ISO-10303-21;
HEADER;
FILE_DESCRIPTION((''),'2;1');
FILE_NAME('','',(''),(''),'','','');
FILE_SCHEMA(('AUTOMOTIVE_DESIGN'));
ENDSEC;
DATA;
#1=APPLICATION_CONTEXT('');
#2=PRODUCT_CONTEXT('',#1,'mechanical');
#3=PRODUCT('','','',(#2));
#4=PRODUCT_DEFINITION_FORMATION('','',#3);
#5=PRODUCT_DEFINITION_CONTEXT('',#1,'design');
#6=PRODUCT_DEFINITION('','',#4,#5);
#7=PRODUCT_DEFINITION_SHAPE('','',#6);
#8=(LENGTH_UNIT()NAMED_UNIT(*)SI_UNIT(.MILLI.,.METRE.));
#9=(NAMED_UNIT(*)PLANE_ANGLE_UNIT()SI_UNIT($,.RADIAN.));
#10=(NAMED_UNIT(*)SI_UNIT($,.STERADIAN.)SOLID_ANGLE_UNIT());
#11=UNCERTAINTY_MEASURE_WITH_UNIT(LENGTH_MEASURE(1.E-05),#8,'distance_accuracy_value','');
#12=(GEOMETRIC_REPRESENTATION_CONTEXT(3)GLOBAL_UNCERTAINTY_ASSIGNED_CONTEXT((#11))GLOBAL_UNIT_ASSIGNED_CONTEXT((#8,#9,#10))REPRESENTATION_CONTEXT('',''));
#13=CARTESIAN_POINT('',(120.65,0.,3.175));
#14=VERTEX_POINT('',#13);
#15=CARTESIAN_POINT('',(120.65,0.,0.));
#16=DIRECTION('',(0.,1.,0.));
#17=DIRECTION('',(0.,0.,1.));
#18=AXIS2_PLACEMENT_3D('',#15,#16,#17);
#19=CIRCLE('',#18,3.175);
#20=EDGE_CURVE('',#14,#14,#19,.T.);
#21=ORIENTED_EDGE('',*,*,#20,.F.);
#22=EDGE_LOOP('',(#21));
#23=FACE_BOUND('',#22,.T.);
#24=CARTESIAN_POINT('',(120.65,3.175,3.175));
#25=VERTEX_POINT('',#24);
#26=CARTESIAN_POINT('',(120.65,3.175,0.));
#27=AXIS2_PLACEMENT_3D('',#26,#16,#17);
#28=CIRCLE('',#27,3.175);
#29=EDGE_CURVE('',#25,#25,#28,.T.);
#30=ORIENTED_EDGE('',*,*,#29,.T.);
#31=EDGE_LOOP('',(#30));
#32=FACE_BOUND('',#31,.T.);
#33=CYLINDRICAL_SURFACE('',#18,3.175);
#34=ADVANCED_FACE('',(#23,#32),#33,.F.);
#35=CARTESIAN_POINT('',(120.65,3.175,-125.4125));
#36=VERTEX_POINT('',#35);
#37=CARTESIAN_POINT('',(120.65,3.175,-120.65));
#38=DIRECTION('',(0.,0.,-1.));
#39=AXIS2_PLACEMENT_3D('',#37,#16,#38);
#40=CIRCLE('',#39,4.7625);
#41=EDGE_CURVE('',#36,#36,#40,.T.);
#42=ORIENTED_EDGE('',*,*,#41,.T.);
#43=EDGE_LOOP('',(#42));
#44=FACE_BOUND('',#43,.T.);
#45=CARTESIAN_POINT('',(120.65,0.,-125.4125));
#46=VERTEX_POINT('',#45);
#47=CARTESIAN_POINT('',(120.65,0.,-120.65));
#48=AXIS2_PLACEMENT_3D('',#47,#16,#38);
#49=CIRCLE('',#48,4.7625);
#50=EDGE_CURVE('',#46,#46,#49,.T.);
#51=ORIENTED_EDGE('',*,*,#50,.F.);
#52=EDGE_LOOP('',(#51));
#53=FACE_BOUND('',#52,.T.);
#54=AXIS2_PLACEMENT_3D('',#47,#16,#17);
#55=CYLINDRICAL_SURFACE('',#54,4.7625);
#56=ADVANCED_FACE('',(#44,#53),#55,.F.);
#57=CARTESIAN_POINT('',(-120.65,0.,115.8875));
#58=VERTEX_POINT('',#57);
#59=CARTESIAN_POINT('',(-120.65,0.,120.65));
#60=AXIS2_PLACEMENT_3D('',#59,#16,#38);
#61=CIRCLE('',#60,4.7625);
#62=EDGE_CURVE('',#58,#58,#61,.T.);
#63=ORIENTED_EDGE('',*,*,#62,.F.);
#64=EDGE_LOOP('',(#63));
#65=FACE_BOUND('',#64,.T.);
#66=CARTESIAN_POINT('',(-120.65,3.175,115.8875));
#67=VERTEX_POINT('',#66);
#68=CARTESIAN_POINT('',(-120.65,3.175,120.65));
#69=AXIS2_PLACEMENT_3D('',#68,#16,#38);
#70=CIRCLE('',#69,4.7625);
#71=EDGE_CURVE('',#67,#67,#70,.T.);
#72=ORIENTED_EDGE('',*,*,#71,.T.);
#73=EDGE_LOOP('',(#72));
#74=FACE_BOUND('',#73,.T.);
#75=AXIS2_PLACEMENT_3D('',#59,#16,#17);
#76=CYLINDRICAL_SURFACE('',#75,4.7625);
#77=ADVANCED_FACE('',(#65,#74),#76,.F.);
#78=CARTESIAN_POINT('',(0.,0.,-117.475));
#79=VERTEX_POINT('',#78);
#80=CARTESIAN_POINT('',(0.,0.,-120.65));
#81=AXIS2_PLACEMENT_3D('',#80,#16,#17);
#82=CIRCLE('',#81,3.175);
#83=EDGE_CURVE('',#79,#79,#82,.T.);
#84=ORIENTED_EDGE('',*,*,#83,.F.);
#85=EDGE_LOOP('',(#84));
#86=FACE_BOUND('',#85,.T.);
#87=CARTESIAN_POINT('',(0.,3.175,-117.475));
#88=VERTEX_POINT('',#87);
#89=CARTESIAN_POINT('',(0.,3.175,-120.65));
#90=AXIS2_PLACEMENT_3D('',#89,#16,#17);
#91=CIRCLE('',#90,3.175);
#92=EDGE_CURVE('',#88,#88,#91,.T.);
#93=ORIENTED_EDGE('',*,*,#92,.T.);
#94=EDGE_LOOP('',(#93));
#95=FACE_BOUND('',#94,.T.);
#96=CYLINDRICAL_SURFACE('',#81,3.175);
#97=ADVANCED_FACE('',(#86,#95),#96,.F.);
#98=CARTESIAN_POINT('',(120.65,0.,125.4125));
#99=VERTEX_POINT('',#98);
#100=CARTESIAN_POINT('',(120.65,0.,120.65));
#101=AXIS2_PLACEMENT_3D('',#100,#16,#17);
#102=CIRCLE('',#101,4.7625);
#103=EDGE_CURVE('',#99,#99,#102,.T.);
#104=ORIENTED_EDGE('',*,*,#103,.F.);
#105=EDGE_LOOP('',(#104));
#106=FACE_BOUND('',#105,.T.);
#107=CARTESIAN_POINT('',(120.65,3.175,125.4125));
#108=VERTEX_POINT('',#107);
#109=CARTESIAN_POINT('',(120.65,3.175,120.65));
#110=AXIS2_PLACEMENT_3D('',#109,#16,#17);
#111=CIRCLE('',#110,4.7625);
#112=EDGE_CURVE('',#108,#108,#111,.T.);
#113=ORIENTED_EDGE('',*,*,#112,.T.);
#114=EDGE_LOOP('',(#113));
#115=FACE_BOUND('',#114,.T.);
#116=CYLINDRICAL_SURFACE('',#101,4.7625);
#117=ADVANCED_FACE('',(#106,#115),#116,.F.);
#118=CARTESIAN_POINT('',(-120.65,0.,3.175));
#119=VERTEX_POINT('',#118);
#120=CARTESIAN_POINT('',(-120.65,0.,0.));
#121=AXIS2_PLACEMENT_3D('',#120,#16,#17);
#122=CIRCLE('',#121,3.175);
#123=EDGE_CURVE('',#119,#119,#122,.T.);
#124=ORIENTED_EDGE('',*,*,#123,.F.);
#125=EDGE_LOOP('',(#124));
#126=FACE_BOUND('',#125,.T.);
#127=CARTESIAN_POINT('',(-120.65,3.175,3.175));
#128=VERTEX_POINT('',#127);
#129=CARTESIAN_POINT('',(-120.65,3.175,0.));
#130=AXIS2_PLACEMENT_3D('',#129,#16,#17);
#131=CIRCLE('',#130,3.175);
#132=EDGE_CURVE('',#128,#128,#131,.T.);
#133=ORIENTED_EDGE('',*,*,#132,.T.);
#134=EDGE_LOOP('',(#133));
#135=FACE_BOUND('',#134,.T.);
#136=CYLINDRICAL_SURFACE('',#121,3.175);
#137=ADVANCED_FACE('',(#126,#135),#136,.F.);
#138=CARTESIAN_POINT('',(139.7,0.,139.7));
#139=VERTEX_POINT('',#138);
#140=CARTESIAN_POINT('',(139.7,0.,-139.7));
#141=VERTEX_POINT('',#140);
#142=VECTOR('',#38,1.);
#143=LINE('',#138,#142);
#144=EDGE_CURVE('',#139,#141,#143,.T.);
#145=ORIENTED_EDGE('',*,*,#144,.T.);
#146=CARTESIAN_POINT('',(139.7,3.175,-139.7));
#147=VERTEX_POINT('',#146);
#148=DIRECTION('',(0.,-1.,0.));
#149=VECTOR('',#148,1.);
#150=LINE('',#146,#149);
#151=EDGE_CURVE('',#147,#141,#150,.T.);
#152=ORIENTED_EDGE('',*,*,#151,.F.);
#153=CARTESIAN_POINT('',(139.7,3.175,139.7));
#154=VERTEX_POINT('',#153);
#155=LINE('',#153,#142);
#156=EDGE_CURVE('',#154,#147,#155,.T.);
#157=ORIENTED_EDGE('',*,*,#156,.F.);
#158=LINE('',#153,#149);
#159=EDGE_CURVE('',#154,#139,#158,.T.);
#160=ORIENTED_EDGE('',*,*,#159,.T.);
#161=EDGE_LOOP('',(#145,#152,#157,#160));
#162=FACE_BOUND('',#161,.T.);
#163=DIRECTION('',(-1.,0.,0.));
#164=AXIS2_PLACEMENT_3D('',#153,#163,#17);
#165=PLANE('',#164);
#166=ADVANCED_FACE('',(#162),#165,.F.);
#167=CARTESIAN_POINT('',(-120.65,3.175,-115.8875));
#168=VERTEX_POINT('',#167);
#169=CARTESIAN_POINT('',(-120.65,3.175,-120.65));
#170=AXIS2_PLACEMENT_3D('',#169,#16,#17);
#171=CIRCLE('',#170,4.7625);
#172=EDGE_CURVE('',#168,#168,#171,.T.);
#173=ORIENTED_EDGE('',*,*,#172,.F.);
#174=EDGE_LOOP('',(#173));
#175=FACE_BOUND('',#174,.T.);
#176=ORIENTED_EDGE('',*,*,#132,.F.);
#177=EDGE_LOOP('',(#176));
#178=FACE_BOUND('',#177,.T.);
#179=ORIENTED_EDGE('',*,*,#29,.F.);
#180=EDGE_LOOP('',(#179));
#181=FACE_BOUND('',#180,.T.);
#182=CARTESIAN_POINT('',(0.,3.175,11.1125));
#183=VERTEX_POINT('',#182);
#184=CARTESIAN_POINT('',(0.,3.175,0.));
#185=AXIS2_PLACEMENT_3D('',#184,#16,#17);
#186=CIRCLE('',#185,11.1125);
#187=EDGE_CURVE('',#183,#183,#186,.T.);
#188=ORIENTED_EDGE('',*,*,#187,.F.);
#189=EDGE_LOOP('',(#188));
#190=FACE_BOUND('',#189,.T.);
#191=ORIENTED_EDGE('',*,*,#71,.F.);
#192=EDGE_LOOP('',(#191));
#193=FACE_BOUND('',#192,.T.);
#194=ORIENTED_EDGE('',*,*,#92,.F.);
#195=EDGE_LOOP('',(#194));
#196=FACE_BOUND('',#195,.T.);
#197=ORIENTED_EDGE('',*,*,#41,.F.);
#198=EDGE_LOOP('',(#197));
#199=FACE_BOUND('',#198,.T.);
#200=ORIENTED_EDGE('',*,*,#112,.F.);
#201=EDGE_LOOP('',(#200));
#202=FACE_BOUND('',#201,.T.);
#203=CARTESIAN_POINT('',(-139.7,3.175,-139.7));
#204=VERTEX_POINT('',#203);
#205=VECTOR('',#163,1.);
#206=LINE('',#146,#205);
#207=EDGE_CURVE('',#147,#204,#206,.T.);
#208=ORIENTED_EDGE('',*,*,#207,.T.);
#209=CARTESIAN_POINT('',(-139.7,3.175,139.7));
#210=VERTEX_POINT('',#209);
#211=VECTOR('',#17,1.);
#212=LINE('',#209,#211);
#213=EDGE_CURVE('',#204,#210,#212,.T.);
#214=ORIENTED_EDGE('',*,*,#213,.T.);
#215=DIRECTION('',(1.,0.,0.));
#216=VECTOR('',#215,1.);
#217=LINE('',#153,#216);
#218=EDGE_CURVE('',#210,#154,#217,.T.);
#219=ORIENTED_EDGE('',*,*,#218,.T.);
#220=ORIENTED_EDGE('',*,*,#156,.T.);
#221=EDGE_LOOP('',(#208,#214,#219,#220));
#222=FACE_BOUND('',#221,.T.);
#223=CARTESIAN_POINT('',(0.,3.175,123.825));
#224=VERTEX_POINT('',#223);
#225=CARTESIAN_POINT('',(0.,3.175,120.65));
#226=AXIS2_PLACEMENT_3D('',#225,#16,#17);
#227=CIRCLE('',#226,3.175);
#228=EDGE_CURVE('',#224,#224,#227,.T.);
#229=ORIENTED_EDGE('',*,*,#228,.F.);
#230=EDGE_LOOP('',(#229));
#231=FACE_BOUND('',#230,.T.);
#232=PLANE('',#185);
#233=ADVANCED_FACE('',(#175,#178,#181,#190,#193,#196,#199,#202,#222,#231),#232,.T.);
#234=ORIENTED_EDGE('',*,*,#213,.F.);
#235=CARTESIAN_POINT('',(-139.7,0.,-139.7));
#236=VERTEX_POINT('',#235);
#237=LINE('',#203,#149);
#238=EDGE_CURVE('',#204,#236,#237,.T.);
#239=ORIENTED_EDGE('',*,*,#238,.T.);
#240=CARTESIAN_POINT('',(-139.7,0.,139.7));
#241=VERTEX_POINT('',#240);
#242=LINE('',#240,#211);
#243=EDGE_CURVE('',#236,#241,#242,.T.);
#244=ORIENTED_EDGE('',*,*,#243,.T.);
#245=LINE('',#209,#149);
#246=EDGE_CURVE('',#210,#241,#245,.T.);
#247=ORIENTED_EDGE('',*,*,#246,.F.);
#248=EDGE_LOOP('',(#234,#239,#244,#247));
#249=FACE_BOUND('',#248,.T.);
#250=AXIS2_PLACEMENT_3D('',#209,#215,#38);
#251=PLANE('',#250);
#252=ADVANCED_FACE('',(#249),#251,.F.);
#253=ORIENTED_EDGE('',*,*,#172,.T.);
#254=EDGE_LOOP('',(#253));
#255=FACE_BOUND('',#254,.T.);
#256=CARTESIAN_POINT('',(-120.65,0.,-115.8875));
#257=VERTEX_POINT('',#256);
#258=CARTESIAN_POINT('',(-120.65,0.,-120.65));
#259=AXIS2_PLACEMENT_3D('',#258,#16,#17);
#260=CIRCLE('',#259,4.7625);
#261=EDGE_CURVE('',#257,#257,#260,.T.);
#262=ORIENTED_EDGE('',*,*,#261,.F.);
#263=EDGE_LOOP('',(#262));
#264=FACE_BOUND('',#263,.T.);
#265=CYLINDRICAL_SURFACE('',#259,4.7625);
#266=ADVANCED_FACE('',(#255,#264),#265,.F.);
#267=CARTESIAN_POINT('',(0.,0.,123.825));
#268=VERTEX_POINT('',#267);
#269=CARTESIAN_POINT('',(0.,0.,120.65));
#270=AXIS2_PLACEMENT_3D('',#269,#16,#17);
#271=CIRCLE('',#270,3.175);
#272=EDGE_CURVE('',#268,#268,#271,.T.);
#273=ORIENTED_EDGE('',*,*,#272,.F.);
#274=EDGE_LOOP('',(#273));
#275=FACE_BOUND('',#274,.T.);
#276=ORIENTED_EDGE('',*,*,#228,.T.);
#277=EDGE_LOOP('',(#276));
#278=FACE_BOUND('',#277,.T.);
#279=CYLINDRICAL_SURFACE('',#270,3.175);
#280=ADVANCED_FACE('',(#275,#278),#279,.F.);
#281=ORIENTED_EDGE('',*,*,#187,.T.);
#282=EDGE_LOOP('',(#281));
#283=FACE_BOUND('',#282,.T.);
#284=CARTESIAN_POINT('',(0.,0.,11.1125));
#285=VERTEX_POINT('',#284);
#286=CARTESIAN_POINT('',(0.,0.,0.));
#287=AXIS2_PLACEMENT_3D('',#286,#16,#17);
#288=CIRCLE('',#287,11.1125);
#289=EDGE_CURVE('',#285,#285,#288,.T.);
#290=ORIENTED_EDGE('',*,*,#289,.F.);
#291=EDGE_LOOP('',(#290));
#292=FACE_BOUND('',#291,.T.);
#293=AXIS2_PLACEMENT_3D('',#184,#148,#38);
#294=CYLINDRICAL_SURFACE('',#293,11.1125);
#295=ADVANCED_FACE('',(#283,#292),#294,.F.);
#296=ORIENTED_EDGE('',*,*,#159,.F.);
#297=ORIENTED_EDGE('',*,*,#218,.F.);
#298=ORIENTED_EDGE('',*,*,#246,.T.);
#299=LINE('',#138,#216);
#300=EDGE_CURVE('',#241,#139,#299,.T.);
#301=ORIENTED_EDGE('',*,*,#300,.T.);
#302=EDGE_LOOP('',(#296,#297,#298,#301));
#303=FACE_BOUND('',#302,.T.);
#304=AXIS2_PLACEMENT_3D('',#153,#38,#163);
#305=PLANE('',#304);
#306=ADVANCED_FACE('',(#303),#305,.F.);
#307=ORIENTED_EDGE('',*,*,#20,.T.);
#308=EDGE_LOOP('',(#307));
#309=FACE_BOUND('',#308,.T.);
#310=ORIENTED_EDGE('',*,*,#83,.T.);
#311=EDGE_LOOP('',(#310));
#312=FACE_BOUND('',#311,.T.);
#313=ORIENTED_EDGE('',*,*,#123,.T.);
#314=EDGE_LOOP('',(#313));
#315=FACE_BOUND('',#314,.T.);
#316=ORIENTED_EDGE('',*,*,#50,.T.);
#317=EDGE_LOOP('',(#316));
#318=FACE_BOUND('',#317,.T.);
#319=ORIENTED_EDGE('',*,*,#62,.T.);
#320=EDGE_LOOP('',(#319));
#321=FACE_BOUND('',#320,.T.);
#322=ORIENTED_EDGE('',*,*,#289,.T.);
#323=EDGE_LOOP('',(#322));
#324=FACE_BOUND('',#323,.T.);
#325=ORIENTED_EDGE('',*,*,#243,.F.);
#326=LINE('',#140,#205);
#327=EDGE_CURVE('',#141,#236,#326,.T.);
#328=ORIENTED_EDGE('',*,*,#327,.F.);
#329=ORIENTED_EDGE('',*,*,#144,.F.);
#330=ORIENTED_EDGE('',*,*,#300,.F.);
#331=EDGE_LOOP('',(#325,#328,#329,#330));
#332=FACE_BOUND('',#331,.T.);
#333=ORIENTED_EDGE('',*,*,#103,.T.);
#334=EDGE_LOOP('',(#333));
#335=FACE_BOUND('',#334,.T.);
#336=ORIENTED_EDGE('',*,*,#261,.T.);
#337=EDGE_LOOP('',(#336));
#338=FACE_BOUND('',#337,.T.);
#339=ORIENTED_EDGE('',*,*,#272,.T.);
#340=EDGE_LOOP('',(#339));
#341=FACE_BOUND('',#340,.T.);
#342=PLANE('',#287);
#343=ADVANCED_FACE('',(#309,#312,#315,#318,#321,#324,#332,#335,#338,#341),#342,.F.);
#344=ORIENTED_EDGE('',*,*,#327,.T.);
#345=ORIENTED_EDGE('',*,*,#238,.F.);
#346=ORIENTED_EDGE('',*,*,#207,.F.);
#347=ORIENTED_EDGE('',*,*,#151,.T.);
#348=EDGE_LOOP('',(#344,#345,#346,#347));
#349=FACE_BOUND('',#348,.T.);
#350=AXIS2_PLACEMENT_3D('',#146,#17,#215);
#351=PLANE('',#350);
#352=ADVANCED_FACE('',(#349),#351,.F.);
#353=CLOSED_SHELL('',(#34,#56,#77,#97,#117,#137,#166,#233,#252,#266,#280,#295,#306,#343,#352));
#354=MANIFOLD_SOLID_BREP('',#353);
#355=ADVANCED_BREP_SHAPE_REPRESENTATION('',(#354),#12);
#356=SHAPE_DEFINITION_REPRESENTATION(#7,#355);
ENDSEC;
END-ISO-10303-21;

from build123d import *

# Parameters (mm, degrees)
SKETCH1_W           = 279.4
SKETCH1_H           = 279.4
SKETCH1_R           = 11.1125
BOSS_EXTRUDE1_DEPTH = 3.175
SKETCH2_R           = 3.175
SKETCH2_R_2         = 4.7625
CUT_EXTRUDE1_DEPTH  = 198.591145108


with BuildPart() as part:
    # Sketch1 → Boss-Extrude1 (new body)
    with BuildSketch(Plane(origin=(0, 0, 0), x_dir=(1, 0, 0), z_dir=(0, 1, 0))):
        Rectangle(SKETCH1_W, SKETCH1_H)
        with Locations(Location((0, 0, 0), (0, 0, 270))):
            Circle(SKETCH1_R, mode=Mode.SUBTRACT)
    extrude(amount=BOSS_EXTRUDE1_DEPTH)

    # Sketch2 → Cut-Extrude1 (cut, through all)
    with BuildSketch(Plane(origin=(0, 3.175, 0), x_dir=(1, 0, 0), z_dir=(0, 1, 0))):
        with Locations(Location((0, 120.65, 0), (0, 0, 270))):
            Circle(SKETCH2_R)
        with Locations(Location((120.65, 0, 0), (0, 0, 270))):
            Circle(SKETCH2_R)
        with Locations(Location((0, -120.65, 0), (0, 0, 270))):
            Circle(SKETCH2_R)
        with Locations(Location((-120.65, 0, 0), (0, 0, 270))):
            Circle(SKETCH2_R)
        with Locations(Location((-120.65, 120.65, 0), (0, 0, 270))):
            Circle(SKETCH2_R_2)
        with Locations(Location((120.65, 120.65, 0), (0, 0, 90))):
            Circle(SKETCH2_R_2)
        with Locations(Location((-120.65, -120.65, 0), (0, 0, 90))):
            Circle(SKETCH2_R_2)
        with Locations(Location((120.65, -120.65, 0), (0, 0, 270))):
            Circle(SKETCH2_R_2)
    extrude(amount=-CUT_EXTRUDE1_DEPTH, mode=Mode.SUBTRACT)


solid = part.part
